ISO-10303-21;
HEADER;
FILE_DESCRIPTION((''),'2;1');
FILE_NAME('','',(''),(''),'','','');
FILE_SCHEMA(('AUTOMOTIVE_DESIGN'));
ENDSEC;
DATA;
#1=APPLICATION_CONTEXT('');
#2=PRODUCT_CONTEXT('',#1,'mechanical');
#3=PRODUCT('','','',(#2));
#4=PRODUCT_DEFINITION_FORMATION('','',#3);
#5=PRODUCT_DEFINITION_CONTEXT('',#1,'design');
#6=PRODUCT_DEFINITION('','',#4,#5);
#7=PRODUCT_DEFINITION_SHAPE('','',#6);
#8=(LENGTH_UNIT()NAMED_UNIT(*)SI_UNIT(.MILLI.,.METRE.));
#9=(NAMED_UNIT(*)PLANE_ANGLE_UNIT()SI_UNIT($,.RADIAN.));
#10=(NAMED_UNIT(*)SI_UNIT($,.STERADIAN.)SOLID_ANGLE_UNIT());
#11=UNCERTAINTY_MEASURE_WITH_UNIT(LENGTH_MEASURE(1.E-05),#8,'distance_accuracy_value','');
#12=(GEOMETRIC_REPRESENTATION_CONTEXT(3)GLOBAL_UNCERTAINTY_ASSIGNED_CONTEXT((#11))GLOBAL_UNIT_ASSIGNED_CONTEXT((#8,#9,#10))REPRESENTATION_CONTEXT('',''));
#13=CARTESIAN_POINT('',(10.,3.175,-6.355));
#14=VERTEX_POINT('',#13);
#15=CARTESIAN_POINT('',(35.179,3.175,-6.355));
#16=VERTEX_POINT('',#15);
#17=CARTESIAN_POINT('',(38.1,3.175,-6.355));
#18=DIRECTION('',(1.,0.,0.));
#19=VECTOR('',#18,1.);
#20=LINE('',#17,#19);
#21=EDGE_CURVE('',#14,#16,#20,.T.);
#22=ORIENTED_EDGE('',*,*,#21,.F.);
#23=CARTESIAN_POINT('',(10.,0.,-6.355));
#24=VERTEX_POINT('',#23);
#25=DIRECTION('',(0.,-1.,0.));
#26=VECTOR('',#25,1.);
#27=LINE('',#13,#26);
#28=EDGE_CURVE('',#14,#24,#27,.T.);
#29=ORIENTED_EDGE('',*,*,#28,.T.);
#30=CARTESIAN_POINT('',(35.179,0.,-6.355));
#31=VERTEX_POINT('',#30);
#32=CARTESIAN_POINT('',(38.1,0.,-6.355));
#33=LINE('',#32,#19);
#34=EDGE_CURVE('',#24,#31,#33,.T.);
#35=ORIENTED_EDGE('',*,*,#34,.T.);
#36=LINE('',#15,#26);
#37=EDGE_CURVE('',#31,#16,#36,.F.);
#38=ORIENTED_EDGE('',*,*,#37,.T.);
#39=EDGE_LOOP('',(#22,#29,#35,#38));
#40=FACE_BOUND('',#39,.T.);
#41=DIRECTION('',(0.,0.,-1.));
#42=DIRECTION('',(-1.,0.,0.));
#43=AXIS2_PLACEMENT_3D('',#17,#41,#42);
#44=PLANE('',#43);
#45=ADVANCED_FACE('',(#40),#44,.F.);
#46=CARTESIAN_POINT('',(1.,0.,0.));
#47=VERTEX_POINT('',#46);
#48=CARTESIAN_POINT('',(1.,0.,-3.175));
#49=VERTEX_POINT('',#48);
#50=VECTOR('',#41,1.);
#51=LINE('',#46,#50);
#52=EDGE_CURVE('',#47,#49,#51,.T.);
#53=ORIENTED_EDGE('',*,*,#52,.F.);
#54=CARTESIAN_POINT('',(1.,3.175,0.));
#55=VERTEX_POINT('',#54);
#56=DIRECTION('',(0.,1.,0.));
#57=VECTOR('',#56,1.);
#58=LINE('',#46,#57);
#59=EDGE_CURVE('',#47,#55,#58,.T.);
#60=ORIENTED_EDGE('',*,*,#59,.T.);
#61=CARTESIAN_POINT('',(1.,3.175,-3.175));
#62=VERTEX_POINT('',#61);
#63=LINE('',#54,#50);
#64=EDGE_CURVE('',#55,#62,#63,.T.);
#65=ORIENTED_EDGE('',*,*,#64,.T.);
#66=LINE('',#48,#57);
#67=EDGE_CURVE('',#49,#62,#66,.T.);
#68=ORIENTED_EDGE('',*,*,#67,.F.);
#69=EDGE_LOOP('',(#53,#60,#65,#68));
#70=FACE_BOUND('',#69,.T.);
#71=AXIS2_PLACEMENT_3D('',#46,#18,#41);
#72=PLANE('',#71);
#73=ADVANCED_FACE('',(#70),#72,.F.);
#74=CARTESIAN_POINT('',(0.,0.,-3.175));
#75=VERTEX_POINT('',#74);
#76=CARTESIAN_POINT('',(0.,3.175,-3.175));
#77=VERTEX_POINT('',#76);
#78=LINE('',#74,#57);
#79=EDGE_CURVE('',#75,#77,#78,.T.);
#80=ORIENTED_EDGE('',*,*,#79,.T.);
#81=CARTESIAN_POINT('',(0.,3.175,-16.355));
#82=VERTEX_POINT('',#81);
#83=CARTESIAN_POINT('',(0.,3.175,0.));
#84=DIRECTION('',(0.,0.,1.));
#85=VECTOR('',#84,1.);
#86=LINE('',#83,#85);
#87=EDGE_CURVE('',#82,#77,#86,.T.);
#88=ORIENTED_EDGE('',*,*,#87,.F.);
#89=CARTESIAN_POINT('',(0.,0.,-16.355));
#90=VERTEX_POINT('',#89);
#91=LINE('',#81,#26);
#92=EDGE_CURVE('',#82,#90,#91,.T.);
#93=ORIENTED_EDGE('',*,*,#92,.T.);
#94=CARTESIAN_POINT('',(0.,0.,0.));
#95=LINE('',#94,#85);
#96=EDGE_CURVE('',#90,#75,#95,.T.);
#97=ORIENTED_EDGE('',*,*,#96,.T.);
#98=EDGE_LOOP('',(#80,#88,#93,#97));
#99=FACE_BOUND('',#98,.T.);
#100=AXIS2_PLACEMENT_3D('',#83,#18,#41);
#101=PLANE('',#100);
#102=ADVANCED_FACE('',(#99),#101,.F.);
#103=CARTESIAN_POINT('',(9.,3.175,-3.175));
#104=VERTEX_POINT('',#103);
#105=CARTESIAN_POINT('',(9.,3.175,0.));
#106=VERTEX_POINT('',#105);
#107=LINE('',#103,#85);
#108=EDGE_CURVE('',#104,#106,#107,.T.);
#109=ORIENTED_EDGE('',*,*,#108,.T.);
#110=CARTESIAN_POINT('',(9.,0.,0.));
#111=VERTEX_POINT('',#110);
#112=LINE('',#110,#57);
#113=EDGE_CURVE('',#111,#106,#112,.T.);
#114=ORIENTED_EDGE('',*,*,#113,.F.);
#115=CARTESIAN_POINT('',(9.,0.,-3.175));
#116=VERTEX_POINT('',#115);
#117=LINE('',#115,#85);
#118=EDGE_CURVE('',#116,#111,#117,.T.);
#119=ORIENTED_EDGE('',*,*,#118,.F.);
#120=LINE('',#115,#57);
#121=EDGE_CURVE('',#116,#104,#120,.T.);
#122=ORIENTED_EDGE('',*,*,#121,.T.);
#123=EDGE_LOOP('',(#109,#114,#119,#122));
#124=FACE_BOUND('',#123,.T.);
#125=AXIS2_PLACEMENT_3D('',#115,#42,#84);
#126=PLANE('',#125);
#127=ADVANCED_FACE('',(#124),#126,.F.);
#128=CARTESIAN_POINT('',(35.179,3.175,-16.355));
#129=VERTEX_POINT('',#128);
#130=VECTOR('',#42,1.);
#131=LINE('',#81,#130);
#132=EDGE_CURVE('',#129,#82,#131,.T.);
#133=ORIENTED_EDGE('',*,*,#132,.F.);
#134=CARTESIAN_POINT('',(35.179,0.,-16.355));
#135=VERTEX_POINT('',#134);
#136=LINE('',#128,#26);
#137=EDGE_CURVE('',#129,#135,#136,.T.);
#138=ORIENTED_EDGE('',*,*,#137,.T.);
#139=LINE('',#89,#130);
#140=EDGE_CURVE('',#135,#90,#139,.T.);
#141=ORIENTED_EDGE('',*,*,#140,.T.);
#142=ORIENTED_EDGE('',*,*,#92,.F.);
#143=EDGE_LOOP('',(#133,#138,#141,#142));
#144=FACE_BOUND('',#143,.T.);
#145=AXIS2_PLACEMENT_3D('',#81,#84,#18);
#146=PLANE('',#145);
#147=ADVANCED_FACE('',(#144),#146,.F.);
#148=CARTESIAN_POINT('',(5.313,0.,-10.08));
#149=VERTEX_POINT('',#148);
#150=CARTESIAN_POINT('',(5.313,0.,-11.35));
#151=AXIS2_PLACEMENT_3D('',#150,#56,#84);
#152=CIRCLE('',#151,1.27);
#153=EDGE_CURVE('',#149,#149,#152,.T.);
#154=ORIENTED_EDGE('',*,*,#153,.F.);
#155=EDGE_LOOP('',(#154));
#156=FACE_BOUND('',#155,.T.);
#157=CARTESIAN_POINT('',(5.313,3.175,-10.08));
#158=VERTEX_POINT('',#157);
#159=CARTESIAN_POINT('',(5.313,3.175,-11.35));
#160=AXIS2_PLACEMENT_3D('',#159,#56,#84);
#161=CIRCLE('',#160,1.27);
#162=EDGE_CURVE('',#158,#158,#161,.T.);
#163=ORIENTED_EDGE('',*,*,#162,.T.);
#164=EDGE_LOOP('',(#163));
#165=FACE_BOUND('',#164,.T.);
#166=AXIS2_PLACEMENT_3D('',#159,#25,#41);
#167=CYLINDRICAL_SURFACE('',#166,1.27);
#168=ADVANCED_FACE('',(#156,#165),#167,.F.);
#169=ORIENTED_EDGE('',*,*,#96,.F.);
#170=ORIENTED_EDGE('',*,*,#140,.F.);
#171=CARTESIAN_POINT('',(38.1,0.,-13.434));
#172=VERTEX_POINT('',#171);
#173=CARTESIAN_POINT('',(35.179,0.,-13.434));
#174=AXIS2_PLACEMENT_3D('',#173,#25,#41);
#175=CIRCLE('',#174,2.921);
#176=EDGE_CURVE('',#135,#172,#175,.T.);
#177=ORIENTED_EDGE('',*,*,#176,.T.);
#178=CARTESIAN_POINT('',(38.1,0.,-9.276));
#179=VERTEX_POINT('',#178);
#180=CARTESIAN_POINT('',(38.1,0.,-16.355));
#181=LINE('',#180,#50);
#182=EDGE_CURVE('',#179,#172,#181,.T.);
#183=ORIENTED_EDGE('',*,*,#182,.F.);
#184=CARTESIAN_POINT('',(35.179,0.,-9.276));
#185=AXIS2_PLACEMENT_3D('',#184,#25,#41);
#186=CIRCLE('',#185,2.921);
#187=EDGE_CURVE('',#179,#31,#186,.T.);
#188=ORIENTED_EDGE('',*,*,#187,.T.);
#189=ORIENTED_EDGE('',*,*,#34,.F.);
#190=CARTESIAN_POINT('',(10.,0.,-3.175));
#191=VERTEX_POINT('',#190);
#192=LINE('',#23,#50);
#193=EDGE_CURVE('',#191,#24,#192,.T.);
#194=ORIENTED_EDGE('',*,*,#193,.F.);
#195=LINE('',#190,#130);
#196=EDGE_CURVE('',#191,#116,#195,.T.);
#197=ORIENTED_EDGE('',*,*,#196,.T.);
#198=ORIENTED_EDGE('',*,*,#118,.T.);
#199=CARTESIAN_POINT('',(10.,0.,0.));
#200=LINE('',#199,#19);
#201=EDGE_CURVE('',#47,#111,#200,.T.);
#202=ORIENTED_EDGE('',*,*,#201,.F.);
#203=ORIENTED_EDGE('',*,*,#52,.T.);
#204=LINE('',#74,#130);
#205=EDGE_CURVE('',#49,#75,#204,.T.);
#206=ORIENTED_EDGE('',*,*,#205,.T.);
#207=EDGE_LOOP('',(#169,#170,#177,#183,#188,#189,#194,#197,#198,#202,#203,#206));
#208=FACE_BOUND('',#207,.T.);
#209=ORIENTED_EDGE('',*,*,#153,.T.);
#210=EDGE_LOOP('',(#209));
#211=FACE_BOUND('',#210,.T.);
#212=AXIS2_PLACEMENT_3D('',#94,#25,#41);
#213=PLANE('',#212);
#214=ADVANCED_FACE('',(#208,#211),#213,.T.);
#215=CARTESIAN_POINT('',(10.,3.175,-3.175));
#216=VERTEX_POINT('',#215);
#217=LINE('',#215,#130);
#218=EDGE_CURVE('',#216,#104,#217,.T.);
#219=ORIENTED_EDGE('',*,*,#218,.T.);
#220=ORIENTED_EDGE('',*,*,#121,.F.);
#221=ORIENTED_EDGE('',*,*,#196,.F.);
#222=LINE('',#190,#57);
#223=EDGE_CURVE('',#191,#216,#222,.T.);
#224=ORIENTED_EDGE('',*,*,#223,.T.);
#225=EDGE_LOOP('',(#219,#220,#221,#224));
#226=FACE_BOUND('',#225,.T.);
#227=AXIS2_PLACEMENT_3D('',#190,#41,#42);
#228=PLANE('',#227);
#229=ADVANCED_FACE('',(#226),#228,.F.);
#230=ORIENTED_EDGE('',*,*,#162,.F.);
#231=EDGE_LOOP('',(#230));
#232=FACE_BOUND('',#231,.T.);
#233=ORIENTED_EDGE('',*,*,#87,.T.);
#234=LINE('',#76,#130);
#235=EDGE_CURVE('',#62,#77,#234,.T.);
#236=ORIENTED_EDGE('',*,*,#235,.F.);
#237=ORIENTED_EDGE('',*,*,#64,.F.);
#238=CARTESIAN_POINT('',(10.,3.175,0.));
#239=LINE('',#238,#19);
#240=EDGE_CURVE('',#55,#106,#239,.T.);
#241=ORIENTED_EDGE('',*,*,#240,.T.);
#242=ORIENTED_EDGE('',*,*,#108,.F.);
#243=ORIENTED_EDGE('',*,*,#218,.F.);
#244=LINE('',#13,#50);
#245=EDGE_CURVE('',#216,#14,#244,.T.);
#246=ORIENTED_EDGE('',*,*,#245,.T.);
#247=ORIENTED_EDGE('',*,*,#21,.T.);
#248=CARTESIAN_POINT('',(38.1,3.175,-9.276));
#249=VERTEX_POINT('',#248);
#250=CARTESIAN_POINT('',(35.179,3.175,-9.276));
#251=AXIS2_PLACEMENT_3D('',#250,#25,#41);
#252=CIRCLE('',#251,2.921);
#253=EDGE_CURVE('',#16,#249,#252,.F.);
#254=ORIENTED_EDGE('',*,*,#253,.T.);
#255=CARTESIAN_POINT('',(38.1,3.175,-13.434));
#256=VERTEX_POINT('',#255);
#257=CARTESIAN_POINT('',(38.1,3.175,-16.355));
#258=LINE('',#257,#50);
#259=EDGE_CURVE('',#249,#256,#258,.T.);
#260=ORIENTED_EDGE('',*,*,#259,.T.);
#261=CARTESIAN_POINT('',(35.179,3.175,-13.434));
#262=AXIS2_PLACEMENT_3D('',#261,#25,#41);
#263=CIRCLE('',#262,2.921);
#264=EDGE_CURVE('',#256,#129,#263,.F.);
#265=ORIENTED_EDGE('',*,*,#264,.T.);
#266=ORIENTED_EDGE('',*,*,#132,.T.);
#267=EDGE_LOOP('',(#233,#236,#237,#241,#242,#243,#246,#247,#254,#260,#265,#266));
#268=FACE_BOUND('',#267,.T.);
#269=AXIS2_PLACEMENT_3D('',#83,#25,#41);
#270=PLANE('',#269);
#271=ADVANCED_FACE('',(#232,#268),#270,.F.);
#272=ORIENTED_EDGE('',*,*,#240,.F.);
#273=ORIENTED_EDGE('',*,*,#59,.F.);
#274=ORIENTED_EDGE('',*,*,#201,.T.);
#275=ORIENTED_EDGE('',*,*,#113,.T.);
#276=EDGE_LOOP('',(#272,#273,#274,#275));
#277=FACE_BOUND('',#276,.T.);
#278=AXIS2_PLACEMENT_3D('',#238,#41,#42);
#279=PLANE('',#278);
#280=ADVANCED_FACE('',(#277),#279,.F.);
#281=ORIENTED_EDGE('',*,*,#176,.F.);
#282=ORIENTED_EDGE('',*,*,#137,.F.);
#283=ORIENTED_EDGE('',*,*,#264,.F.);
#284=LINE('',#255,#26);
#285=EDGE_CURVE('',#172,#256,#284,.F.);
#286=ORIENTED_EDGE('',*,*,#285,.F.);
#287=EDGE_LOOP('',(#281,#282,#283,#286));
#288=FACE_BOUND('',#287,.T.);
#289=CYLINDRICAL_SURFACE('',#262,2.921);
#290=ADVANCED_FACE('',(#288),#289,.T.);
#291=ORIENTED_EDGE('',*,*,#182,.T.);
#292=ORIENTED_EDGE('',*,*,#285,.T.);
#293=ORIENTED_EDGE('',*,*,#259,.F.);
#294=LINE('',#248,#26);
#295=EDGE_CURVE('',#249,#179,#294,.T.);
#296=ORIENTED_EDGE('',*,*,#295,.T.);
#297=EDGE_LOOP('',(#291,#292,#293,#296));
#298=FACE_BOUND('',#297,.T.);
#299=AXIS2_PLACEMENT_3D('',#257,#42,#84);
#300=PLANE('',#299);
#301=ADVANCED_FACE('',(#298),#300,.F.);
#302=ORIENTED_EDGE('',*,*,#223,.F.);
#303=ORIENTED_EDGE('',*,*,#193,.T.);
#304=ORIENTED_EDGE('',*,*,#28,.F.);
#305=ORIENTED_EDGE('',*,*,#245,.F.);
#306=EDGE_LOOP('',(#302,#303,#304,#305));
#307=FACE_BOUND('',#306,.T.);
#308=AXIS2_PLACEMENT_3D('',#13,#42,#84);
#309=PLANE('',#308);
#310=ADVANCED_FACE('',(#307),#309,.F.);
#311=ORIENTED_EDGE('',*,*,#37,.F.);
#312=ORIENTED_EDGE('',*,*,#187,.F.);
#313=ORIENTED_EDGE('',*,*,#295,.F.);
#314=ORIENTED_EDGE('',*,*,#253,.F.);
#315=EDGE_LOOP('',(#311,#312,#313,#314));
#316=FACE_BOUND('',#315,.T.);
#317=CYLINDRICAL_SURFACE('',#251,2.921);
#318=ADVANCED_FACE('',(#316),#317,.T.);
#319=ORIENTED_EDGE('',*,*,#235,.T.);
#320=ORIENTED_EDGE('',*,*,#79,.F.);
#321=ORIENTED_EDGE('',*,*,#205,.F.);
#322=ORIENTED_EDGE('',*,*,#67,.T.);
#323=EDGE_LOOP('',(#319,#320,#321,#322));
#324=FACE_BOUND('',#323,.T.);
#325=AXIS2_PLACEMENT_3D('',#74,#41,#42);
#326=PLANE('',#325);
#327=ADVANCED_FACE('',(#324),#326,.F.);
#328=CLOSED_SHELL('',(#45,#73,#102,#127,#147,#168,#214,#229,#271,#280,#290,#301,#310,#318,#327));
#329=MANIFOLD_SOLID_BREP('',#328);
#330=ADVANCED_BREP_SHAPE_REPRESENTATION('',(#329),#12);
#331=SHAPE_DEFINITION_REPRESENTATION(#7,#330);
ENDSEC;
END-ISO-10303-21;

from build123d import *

# Parameters (mm, degrees)
SKETCH1_R           = 1.27
BOSS_EXTRUDE1_DEPTH = 3.175
FILLET1_R           = 2.921
SKETCH2_W           = 1
SKETCH2_H           = 3.175
CUT_EXTRUDE1_DEPTH  = 42.583369873


with BuildPart() as part:
    # Sketch1 → Boss-Extrude1 (new body)
    with BuildSketch(Plane(origin=(0, 0, 0), x_dir=(1, 0, 0), z_dir=(0, 1, 0))):
        Polygon((0, 0), (0, 16.355), (38.1, 16.355), (38.1, 6.355), (10, 6.355), (10, 0), align=None)
        with Locations(Location((5.313, 11.35, 0), (0, 0, 270))):
            Circle(SKETCH1_R, mode=Mode.SUBTRACT)
    extrude(amount=BOSS_EXTRUDE1_DEPTH)

    # Fillet1
    fillet1_edges = [part.edges().sort_by_distance(p)[0] for p in [
        (38.1, 1.5875, -16.355),
        (38.1, 1.5875, -6.355),
    ]]
    fillet(fillet1_edges, radius=FILLET1_R)

    # Sketch2 → Cut-Extrude1 (cut, through all)
    with BuildSketch(Plane(origin=(0, 3.175, 0), x_dir=(1, 0, 0), z_dir=(0, 1, 0))):
        with Locations((9.5, 1.5875)):
            Rectangle(SKETCH2_W, SKETCH2_H)
        with Locations((0.5, 1.5875)):
            Rectangle(SKETCH2_W, SKETCH2_H)
    extrude(amount=-CUT_EXTRUDE1_DEPTH, mode=Mode.SUBTRACT)


solid = part.part
